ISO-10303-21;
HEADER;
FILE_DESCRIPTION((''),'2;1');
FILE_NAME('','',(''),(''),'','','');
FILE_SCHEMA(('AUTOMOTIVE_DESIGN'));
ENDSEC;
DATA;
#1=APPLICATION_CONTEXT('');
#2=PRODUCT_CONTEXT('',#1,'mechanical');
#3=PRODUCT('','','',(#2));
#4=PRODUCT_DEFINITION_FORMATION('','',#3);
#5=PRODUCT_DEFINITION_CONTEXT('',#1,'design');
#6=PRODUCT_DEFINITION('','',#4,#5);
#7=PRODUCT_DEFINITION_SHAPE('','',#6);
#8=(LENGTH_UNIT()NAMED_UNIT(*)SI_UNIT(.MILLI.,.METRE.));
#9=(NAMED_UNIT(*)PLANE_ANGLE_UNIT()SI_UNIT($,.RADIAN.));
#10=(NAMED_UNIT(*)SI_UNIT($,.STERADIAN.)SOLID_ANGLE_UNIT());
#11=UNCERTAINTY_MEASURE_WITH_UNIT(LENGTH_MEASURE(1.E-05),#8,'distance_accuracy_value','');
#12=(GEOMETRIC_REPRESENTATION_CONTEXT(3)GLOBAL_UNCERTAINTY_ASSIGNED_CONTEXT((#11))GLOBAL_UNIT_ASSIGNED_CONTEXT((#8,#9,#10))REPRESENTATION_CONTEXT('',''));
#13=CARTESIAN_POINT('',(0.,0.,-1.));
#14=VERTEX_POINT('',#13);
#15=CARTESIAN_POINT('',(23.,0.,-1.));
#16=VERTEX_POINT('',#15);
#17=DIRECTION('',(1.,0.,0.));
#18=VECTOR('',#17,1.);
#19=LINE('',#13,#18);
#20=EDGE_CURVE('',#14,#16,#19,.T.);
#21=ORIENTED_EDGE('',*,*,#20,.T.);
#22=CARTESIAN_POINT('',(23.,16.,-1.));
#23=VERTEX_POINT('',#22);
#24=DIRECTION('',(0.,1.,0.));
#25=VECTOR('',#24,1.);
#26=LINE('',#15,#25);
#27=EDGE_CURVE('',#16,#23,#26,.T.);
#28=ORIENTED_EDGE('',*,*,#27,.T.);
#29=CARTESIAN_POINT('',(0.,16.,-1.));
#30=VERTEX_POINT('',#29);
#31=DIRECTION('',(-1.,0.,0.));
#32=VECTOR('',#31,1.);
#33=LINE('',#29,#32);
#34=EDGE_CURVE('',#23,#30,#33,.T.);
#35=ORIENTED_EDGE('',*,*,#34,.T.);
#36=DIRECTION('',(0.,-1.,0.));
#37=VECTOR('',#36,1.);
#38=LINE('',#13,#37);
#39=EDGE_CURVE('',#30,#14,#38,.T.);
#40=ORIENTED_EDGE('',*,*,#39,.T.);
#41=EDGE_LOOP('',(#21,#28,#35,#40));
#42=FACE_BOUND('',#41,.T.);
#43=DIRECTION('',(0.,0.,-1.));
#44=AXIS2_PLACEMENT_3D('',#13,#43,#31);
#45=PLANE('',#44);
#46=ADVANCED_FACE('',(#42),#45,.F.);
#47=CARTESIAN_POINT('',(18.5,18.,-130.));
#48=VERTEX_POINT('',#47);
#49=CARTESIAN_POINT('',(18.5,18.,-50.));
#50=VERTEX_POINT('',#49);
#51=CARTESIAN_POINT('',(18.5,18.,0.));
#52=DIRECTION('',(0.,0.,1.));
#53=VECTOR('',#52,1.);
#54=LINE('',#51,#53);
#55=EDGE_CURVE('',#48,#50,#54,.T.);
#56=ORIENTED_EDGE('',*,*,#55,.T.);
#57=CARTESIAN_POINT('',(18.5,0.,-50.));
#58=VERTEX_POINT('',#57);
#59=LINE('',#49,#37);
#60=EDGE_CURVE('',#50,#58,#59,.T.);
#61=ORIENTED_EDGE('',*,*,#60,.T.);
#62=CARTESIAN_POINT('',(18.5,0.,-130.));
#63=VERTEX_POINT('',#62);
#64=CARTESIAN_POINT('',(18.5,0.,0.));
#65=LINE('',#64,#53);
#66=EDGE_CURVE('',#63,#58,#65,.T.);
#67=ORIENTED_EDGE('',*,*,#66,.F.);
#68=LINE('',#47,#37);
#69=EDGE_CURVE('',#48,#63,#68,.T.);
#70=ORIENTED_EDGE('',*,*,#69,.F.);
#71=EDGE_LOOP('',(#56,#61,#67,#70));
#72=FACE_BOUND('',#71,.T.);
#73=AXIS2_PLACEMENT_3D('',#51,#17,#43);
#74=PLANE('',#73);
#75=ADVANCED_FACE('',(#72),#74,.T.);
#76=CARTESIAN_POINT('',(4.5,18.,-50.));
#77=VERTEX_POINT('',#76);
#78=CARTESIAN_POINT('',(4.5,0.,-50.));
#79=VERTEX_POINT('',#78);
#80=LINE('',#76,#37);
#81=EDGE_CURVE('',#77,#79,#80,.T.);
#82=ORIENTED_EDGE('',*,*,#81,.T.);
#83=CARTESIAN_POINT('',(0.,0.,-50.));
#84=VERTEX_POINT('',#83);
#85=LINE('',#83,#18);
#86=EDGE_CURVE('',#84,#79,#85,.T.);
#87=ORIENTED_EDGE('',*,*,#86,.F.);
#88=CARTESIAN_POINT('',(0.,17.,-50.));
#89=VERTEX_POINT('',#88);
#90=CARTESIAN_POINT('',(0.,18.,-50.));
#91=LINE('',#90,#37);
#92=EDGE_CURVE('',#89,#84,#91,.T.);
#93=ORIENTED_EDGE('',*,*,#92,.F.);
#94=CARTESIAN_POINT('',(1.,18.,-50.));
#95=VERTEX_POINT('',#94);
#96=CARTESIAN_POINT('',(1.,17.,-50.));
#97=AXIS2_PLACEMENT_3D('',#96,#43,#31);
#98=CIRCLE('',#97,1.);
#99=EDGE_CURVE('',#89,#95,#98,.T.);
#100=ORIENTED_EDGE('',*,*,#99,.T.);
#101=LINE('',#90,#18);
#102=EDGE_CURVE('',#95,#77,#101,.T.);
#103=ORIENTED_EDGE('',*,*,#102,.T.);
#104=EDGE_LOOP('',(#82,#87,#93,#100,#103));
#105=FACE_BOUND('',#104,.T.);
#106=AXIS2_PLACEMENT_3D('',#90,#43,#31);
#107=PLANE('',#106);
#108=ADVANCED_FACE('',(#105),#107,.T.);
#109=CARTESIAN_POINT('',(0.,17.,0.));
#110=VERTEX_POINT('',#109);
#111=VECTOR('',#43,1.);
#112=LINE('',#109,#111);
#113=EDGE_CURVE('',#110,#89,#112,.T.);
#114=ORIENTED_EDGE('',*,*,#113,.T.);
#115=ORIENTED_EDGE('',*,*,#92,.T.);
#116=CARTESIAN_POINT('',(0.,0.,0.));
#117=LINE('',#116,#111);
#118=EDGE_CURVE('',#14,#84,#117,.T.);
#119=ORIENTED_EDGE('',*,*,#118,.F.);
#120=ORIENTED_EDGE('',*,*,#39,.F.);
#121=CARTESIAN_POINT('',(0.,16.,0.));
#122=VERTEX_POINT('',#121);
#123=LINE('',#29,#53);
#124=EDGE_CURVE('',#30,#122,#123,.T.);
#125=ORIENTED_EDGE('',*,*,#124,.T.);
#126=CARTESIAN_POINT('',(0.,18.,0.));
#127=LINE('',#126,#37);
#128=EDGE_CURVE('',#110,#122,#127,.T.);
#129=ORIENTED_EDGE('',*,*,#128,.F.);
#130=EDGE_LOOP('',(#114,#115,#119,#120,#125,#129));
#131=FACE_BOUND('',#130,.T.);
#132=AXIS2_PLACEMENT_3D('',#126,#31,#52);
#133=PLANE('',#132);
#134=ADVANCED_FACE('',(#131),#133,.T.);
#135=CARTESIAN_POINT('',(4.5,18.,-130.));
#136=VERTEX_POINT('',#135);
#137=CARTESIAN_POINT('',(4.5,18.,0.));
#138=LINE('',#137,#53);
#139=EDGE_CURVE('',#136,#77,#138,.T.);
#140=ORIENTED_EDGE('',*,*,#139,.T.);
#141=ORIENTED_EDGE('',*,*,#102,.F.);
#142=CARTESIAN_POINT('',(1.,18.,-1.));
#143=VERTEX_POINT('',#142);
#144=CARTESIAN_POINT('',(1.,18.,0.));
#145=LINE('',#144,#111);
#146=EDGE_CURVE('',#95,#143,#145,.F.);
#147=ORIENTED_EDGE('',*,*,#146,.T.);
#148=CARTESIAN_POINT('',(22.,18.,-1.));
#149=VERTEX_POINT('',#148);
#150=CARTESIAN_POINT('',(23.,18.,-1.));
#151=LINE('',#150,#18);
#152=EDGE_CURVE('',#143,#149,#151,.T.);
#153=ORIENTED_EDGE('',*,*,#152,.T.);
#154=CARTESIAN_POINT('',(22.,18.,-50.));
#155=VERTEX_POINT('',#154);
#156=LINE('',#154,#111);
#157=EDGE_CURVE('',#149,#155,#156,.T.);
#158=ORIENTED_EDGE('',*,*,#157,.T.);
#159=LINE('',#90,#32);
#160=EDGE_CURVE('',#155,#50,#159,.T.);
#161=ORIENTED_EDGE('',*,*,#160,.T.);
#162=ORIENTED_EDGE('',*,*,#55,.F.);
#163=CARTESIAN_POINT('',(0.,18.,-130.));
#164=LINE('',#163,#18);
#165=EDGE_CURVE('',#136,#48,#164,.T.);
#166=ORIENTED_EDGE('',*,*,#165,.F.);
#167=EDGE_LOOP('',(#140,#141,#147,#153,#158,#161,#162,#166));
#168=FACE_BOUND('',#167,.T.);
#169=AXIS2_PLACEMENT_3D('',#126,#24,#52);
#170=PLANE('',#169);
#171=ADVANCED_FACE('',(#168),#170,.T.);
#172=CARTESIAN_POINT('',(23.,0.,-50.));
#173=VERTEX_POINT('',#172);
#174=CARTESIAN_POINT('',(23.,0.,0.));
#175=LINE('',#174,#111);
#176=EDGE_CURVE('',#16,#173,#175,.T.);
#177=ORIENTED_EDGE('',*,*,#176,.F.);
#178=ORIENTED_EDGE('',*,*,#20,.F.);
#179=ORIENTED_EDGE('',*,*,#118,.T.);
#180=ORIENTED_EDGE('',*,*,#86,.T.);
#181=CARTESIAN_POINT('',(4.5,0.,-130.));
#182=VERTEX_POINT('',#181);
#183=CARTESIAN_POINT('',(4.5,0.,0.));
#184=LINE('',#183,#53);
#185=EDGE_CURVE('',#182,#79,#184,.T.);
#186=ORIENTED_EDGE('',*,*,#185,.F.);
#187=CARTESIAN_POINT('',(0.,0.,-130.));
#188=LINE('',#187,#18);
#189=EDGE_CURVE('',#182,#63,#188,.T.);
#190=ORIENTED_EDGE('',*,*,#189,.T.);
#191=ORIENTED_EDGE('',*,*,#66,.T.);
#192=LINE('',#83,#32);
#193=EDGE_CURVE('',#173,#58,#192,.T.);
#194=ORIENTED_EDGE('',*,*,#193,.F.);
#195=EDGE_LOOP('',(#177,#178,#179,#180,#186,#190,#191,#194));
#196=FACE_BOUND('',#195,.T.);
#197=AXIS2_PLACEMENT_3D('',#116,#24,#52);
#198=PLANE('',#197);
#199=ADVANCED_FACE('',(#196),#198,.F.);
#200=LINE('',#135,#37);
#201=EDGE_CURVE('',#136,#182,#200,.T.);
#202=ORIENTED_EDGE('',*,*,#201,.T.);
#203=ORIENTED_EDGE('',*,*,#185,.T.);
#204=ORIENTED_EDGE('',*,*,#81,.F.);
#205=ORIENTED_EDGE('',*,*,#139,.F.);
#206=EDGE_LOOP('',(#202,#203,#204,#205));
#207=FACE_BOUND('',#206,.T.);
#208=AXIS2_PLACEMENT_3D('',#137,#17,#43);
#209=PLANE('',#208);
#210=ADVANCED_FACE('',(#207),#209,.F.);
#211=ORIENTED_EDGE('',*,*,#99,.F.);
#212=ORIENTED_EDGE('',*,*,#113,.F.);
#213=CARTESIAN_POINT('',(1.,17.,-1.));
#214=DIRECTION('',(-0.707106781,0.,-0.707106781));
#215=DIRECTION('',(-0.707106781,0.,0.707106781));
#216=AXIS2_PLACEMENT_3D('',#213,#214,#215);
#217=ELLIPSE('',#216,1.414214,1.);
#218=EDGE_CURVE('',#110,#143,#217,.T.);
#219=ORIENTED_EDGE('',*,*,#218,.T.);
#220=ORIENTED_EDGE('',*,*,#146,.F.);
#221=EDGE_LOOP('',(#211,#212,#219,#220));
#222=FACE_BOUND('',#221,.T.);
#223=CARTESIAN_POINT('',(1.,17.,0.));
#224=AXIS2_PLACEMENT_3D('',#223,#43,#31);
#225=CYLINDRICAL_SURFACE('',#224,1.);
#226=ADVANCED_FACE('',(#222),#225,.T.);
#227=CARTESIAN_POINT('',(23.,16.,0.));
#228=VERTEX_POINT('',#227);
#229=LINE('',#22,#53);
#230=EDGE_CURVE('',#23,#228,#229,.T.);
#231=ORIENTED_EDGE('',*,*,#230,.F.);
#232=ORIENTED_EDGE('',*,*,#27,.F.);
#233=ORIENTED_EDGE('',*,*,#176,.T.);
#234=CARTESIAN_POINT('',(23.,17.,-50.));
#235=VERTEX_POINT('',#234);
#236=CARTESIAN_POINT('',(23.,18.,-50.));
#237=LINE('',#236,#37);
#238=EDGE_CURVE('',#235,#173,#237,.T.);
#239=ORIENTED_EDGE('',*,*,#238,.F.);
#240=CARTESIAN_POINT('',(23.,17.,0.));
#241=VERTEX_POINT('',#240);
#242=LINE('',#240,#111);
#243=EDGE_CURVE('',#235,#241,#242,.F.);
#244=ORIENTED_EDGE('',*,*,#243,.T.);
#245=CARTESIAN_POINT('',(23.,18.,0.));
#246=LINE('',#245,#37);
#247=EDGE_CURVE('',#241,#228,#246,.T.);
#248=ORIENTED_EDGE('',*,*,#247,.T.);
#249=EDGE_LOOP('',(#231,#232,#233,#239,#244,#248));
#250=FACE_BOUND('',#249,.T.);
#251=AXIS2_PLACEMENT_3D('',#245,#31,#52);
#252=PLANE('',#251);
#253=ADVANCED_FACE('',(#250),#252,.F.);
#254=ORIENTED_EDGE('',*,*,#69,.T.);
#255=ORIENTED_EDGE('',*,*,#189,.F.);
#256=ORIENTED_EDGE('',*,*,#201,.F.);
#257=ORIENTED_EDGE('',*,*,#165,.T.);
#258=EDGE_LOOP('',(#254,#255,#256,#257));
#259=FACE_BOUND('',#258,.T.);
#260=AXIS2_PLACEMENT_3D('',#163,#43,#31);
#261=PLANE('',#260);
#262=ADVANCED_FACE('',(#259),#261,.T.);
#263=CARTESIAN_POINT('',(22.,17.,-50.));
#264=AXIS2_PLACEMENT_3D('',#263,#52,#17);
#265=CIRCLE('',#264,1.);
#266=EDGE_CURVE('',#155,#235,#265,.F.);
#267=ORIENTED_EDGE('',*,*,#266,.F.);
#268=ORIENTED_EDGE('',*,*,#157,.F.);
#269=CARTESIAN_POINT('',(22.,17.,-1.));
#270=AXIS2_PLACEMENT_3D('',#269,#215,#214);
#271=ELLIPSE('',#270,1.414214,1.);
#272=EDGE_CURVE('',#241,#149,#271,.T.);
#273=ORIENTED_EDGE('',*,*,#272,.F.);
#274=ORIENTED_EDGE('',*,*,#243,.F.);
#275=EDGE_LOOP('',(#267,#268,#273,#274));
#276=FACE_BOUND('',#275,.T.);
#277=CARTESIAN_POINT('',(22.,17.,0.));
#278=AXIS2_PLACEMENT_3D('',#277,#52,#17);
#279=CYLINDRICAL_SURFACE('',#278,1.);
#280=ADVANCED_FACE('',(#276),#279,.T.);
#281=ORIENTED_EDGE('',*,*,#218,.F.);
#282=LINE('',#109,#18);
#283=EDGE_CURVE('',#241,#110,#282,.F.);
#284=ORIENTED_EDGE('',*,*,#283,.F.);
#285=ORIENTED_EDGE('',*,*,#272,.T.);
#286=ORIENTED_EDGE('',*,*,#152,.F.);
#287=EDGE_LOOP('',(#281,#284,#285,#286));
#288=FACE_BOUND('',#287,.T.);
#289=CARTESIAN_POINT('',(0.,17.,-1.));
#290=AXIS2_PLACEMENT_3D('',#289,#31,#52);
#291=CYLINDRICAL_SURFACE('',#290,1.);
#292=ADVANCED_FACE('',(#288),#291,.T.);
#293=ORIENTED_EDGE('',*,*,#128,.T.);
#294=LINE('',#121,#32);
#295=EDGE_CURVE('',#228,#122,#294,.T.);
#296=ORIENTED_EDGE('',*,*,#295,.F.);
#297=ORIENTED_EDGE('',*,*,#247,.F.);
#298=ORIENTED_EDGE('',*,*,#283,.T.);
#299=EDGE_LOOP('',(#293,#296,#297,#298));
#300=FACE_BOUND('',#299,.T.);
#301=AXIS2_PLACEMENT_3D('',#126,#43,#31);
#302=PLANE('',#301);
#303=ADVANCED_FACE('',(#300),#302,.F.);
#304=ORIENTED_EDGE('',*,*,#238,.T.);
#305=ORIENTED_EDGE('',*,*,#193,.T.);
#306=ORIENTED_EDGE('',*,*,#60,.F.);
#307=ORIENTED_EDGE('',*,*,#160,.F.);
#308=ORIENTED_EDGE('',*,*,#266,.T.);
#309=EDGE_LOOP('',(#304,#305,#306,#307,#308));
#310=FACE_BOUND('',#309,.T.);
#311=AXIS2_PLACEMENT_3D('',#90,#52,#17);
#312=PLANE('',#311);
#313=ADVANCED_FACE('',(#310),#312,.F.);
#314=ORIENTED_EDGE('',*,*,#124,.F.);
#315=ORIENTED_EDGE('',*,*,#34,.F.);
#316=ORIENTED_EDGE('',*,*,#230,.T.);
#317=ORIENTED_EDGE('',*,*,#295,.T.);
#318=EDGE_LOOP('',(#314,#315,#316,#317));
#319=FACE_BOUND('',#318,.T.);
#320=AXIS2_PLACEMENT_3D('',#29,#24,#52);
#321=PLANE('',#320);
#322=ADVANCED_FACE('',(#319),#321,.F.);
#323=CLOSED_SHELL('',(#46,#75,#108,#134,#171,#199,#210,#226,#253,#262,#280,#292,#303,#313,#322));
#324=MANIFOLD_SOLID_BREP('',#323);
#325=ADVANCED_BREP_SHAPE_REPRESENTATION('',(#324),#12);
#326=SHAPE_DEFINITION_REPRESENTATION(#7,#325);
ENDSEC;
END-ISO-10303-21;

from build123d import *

# Parameters (mm, degrees)
SALIENTE_EXTRUIR1_DEPTH = 18
CROQUIS3_W              = 23
CROQUIS3_H              = 16
CORTAR_EXTRUIR1_DEPTH   = 1
REDONDEO1_R             = 1


with BuildPart() as part:
    # Croquis2 → Saliente-Extruir1 (new body)
    with BuildSketch(Plane(origin=(0, 0, 0), x_dir=(1, 0, 0), z_dir=(0, 1, 0))):
        Polygon((0, 50), (0, 0), (23, 0), (23, 50), (18.5, 50), (18.5, 130), (4.5, 130), (4.5, 50), align=None)
    extrude(amount=SALIENTE_EXTRUIR1_DEPTH)

    # Croquis3 → Cortar-Extruir1 (cut)
    with BuildSketch(Plane.XY):
        with Locations((11.5, 8)):
            Rectangle(CROQUIS3_W, CROQUIS3_H)
    extrude(amount=-CORTAR_EXTRUIR1_DEPTH, mode=Mode.SUBTRACT)

    # Redondeo1
    redondeo1_edges = [part.edges().sort_by_distance(p)[0] for p in [
        (0, 18, -25),
        (11.5, 18, 0),
        (23, 18, -25),
    ]]
    fillet(redondeo1_edges, radius=REDONDEO1_R)


solid = part.part
